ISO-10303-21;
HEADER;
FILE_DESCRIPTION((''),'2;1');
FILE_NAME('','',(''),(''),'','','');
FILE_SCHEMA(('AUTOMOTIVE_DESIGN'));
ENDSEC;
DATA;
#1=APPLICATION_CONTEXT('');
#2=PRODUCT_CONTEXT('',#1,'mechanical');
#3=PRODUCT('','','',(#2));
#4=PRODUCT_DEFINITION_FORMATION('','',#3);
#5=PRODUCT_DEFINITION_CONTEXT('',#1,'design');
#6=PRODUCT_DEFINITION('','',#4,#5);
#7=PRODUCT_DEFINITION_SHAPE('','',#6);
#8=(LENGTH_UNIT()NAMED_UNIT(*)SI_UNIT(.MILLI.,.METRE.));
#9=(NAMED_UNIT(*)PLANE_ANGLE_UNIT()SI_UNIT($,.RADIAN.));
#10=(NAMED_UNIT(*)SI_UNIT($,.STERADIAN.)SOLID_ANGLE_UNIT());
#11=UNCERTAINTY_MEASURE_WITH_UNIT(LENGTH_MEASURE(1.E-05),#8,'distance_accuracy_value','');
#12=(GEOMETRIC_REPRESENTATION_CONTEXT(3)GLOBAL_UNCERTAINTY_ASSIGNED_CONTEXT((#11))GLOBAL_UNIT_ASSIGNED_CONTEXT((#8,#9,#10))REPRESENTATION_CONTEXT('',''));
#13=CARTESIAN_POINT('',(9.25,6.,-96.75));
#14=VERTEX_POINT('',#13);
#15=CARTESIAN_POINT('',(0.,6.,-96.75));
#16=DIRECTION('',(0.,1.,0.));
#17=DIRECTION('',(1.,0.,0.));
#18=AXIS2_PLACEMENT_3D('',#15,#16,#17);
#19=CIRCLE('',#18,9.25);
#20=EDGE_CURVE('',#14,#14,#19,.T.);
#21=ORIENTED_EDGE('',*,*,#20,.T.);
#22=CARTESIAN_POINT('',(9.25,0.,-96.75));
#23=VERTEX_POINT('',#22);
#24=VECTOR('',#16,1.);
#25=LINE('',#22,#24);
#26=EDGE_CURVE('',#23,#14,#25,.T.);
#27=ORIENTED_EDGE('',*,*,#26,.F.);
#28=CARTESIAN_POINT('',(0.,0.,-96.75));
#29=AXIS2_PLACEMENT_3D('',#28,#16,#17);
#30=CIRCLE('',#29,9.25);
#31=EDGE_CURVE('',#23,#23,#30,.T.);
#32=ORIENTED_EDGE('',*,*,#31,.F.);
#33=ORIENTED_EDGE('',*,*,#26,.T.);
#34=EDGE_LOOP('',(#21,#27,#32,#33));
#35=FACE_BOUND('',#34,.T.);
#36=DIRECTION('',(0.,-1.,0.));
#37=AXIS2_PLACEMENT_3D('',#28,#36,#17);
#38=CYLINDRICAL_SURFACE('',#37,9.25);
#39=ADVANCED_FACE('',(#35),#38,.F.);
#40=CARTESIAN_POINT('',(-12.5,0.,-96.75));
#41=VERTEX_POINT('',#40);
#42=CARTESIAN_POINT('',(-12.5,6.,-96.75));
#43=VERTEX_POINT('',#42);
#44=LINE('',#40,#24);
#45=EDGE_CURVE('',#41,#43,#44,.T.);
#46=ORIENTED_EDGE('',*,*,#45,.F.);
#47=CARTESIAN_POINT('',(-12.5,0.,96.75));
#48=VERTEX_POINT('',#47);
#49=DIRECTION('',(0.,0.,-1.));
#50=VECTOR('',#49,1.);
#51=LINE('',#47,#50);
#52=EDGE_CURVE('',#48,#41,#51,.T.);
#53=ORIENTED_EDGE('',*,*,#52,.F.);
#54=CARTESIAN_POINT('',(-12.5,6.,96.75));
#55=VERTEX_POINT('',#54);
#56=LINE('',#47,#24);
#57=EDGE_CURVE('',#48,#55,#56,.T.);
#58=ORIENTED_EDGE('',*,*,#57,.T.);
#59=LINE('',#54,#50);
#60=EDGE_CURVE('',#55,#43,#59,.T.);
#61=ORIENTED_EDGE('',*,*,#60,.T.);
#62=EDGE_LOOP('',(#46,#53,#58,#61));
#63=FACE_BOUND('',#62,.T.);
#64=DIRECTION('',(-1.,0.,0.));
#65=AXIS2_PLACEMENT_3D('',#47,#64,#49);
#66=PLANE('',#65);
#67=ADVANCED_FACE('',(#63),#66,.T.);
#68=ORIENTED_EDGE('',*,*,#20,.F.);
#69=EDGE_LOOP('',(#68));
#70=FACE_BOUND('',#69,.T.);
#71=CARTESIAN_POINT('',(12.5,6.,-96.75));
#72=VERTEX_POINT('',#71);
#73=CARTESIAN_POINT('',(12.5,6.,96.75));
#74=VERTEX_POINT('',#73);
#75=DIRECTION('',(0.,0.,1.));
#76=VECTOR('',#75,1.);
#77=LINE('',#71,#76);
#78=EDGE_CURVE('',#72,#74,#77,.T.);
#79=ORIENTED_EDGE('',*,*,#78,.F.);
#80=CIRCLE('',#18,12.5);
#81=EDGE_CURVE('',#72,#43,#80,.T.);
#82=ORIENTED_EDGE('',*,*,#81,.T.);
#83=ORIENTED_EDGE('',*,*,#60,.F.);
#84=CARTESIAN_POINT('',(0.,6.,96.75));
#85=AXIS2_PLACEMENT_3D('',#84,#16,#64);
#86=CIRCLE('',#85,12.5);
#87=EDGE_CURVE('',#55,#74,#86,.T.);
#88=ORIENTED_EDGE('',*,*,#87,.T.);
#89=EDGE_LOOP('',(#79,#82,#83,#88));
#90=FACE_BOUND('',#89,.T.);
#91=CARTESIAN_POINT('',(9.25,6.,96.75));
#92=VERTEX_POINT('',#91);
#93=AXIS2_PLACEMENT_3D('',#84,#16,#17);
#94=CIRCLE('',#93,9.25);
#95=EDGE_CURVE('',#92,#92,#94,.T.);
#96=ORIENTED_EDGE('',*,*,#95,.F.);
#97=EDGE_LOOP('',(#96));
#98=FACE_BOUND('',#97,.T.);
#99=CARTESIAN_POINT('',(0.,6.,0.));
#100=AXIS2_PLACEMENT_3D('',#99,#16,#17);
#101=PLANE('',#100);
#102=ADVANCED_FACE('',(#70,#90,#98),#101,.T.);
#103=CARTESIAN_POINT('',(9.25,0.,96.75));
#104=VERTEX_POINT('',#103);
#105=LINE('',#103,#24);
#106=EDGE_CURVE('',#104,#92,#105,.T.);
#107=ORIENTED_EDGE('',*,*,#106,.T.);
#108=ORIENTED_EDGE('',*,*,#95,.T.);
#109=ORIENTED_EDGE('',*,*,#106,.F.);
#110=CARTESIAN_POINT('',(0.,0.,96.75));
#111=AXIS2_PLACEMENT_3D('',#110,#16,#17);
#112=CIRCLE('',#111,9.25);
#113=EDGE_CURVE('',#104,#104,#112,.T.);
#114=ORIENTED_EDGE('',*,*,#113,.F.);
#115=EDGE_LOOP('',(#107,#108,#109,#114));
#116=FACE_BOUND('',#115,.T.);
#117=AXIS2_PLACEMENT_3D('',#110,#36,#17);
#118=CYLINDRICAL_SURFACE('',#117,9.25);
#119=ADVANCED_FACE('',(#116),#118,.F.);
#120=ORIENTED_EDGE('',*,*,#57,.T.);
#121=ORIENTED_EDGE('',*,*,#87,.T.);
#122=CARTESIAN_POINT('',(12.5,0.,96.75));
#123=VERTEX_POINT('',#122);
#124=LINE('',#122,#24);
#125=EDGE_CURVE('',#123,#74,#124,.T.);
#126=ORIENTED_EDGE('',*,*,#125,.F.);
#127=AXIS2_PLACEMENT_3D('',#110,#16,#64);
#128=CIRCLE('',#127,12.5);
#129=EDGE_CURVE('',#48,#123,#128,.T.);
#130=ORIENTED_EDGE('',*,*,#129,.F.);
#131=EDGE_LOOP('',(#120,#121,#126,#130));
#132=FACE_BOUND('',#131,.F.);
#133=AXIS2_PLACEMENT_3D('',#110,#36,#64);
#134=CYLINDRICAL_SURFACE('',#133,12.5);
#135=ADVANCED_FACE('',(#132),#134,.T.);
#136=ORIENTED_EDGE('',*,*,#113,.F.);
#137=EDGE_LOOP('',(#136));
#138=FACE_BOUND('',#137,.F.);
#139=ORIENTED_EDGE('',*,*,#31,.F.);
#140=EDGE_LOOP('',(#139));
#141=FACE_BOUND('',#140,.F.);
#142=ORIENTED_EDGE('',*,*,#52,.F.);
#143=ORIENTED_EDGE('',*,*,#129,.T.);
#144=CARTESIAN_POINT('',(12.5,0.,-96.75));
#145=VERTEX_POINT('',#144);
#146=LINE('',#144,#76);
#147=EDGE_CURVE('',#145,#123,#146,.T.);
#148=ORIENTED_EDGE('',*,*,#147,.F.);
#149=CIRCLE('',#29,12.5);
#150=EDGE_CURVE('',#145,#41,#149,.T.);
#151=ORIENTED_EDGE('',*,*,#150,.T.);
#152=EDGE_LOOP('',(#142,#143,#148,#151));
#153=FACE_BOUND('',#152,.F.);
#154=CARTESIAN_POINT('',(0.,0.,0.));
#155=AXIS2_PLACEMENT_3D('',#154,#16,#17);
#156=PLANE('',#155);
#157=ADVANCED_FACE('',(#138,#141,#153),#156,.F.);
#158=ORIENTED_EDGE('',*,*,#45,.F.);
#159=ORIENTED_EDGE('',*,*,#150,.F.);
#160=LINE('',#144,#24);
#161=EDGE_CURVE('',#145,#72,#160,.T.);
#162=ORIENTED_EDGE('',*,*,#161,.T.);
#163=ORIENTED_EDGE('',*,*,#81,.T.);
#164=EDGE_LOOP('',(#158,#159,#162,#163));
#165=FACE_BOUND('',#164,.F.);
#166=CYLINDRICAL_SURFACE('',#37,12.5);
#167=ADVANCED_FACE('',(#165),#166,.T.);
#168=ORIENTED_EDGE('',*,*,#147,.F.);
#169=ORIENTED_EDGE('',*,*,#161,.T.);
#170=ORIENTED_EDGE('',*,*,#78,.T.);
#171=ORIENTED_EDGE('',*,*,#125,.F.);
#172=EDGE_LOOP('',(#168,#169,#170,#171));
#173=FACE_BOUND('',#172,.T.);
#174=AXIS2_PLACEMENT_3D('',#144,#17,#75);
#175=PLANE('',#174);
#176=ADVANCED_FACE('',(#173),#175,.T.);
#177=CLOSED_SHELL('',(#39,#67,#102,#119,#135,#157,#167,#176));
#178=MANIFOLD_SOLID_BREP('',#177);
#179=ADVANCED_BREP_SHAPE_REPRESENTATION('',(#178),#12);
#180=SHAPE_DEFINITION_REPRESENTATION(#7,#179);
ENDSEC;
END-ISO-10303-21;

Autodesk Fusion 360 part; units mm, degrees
sketch "Sketch1" plane through (0, 0, 0) normal (0, 1, 0) x (1, 0, 0)
  line L0 (-12.5, -96.75) -> (-12.5, 96.75)
  line L1 (12.5, 96.75) -> (12.5, -96.75)
  circle A0 centre (0, -96.75) radius 9.25
  arc A1 (-12.5, -96.75) -> (12.5, -96.75) centre (0, -96.75) ccw
  circle A2 centre (0, 96.75) radius 9.25
  arc A3 (12.5, 96.75) -> (-12.5, 96.75) centre (0, 96.75) ccw
extrude "Extrude1" add sketch "Sketch1" along normal blind 6
